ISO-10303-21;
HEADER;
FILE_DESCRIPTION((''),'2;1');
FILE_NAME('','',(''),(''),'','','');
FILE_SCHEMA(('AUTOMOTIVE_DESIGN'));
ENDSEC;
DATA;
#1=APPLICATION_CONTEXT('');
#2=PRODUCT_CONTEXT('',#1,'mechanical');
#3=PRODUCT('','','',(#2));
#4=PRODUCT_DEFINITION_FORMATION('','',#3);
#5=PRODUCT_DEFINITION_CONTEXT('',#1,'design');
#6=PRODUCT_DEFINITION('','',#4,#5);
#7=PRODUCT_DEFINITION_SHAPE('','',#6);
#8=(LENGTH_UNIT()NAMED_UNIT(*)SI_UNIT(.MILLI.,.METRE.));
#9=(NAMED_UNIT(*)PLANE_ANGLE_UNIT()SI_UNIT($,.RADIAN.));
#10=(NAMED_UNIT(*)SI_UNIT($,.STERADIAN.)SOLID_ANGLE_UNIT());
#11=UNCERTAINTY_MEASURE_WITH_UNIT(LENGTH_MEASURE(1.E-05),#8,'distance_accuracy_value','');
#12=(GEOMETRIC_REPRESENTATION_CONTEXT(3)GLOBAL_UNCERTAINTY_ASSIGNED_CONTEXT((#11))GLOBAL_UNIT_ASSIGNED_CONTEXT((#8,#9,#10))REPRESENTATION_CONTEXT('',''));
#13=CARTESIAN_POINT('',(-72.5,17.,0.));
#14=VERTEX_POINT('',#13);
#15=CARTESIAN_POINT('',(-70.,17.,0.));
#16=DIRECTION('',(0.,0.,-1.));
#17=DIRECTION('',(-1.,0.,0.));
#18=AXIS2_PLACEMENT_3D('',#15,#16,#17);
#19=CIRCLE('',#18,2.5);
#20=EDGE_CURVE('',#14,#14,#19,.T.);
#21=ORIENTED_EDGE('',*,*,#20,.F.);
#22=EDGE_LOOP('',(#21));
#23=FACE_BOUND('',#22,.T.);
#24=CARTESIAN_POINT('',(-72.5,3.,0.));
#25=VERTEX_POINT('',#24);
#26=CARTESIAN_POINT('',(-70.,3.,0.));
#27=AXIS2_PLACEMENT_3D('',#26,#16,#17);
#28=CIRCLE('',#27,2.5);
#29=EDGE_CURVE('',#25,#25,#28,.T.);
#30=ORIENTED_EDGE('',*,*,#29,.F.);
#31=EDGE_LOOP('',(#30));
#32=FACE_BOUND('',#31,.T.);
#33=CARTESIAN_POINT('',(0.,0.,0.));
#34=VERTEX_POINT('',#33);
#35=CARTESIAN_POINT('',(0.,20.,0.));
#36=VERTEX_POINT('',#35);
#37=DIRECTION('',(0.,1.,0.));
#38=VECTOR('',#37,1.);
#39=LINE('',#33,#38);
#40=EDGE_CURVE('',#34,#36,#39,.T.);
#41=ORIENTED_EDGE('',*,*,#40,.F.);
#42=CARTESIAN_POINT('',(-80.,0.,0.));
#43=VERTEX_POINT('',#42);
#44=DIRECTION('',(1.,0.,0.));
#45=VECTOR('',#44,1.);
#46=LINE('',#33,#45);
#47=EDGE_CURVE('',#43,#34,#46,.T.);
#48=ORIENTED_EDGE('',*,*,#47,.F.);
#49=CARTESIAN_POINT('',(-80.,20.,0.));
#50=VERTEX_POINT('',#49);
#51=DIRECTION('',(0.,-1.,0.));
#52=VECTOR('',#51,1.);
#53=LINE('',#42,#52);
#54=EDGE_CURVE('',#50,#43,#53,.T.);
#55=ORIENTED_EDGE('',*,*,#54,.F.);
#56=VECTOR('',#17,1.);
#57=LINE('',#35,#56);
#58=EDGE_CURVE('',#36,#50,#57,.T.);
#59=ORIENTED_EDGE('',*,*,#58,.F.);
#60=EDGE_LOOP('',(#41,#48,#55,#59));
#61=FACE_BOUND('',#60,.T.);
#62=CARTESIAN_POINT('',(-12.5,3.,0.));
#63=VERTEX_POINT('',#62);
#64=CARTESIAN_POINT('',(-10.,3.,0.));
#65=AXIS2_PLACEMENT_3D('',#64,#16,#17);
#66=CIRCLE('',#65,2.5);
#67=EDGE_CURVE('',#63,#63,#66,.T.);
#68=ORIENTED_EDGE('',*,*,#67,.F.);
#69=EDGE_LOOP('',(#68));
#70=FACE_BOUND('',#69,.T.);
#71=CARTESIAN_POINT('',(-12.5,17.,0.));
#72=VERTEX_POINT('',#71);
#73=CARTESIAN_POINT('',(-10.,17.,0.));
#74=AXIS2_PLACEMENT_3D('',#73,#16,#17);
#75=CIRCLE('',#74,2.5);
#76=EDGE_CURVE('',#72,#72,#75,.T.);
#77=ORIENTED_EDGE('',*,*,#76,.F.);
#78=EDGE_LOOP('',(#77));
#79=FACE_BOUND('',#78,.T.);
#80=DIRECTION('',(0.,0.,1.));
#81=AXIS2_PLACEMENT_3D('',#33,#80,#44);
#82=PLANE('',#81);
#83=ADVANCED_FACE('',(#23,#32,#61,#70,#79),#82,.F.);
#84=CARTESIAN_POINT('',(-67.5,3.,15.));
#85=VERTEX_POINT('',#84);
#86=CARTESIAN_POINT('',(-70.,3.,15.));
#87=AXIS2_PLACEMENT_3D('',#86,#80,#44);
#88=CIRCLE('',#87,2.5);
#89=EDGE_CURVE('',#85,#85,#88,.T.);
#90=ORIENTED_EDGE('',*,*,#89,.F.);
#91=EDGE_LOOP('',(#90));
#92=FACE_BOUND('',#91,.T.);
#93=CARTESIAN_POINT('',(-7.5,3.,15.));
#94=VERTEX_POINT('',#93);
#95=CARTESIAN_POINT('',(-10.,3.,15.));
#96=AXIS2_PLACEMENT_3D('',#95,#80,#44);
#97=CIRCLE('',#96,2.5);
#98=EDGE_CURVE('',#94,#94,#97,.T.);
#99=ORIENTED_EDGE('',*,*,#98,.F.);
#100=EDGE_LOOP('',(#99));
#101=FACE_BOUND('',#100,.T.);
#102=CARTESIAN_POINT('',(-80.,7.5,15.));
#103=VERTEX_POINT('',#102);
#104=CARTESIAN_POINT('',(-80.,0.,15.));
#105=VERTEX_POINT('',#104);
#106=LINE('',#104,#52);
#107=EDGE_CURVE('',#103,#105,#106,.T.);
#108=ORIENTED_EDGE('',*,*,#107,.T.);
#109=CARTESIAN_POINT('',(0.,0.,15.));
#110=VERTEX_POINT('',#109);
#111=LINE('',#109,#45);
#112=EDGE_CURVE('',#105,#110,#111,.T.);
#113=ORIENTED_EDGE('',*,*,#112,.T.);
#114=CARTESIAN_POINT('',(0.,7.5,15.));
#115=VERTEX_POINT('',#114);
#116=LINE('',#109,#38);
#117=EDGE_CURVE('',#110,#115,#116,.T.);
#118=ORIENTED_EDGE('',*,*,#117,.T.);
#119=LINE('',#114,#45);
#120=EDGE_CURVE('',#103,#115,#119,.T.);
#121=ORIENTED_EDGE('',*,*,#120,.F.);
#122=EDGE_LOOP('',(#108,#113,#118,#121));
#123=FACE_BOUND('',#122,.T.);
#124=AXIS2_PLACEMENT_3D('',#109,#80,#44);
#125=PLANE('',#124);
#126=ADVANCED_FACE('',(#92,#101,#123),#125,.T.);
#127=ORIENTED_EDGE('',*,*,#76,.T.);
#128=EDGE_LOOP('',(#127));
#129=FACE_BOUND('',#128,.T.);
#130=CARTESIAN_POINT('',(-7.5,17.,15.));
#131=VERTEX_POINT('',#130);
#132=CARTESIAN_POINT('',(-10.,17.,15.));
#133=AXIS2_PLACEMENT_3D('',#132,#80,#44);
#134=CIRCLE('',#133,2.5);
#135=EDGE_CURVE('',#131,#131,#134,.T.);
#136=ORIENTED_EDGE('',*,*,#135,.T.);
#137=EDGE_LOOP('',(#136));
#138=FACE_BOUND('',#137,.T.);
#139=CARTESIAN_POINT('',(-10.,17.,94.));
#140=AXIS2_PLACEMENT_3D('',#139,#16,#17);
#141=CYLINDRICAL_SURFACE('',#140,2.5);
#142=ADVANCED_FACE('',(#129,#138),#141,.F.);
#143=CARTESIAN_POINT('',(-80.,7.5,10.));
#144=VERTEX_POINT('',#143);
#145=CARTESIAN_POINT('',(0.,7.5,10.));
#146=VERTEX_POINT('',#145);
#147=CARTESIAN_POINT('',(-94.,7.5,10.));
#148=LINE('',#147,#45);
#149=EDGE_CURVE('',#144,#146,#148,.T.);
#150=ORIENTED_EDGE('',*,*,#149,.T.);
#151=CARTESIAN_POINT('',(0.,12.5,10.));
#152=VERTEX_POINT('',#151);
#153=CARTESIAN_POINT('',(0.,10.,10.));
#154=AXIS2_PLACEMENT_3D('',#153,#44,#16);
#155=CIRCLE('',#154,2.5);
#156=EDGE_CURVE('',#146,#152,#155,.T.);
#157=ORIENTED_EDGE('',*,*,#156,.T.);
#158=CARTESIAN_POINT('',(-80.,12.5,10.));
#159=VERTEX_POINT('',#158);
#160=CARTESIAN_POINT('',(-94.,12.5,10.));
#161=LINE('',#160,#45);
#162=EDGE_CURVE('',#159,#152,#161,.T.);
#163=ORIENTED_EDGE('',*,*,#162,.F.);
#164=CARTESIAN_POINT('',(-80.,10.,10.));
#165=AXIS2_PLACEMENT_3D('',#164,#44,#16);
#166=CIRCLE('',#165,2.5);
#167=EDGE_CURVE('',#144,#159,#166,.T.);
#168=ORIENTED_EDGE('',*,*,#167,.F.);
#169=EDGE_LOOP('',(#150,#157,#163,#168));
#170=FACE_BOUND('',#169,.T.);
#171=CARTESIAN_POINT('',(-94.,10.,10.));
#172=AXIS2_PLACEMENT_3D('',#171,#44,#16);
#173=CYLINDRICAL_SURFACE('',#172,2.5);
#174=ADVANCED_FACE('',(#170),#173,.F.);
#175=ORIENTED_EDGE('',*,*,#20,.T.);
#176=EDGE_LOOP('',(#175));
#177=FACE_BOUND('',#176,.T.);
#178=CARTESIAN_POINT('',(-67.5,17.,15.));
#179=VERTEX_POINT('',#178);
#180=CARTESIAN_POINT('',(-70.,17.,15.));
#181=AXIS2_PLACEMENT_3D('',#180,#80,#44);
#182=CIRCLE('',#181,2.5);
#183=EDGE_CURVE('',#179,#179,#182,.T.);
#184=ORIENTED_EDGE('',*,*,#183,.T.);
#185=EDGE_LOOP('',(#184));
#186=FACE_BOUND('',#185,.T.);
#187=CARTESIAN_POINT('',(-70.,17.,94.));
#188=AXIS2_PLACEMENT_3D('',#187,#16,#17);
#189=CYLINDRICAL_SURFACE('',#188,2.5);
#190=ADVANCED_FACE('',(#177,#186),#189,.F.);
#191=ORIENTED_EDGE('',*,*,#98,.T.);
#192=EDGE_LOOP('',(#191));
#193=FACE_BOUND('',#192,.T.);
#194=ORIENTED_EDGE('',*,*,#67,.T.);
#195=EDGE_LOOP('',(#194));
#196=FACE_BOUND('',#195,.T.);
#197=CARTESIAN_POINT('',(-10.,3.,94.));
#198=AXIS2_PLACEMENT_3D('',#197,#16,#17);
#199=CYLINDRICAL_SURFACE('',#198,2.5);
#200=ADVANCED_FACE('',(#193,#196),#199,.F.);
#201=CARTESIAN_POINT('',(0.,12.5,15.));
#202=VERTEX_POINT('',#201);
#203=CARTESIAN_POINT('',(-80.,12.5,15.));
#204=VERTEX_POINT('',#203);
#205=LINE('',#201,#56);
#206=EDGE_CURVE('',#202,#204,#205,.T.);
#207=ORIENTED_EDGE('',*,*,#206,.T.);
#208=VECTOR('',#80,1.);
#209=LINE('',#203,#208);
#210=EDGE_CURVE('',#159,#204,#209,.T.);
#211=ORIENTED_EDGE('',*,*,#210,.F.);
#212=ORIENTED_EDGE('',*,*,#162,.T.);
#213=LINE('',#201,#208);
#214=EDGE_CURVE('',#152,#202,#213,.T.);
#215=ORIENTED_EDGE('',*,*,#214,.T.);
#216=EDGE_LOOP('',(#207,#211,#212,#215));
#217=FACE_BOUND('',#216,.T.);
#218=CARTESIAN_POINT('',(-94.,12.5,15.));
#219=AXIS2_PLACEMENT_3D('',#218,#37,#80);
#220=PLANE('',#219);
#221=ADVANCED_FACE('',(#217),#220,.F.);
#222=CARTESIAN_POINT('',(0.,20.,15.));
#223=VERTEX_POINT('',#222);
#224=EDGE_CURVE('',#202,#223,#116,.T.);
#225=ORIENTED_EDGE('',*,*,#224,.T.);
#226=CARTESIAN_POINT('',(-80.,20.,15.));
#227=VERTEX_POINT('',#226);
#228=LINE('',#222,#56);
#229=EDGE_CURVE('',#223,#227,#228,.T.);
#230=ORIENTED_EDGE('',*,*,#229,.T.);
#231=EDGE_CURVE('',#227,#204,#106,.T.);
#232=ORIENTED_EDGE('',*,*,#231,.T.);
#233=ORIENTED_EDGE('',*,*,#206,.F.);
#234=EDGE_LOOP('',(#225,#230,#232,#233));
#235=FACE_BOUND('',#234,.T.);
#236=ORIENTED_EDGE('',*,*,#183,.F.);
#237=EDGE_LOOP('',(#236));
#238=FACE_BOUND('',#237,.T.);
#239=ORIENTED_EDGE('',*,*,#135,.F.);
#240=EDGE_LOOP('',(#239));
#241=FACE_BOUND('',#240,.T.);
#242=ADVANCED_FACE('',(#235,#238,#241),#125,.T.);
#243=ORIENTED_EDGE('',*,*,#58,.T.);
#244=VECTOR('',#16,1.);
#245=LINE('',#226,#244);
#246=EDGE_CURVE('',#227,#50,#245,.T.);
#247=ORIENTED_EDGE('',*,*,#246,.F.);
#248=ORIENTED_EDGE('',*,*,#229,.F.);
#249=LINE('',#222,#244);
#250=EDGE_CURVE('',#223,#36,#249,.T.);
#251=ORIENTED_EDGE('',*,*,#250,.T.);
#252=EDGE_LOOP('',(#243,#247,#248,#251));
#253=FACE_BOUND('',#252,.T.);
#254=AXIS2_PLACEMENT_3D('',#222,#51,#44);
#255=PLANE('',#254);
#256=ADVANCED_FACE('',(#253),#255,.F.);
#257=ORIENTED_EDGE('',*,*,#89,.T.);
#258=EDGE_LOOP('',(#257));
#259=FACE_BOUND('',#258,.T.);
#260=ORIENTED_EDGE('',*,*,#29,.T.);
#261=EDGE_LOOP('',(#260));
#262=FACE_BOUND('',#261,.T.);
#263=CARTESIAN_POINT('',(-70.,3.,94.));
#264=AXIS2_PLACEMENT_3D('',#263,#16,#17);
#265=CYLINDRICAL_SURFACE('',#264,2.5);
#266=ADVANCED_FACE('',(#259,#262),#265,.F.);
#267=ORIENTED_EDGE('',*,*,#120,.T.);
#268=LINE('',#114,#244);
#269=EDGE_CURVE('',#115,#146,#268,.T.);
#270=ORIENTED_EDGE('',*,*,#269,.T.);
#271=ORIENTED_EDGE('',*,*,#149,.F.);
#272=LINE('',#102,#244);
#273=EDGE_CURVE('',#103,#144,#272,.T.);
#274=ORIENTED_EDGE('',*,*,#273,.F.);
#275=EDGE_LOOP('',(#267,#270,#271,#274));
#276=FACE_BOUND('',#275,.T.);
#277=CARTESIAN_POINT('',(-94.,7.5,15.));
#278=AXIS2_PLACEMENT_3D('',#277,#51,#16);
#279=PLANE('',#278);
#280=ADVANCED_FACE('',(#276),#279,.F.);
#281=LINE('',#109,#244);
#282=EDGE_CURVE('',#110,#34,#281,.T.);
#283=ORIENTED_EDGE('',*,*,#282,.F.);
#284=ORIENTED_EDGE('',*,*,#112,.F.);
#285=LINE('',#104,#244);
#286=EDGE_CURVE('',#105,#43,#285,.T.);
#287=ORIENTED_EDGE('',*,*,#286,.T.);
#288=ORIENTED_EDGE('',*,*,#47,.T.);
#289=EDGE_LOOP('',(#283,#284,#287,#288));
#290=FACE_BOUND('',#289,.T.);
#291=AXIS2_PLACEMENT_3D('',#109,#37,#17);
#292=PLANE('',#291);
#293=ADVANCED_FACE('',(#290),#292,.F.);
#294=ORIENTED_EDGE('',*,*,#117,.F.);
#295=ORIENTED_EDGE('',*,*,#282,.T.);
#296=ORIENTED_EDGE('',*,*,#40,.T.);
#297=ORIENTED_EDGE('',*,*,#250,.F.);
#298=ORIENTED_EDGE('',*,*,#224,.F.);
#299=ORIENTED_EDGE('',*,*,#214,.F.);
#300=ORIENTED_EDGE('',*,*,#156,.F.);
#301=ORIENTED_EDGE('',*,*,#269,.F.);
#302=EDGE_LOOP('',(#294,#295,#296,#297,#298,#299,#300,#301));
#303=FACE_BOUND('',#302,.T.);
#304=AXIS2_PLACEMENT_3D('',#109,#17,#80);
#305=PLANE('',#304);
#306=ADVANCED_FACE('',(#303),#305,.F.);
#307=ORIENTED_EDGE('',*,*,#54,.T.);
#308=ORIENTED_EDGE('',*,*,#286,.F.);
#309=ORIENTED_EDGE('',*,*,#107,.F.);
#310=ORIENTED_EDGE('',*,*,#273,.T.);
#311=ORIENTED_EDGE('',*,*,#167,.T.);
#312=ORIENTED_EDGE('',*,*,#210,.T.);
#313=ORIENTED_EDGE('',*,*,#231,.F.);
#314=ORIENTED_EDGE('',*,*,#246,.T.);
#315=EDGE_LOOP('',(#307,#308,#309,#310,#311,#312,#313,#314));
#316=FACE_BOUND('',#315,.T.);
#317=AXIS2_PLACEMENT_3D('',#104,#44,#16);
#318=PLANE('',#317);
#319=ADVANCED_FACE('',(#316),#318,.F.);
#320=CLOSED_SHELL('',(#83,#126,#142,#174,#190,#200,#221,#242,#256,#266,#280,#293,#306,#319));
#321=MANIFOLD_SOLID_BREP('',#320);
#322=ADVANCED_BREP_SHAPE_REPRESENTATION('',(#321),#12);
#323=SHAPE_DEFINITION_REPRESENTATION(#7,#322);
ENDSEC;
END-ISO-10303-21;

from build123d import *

# Parameters (mm, degrees)
ESQUISSE1_W             = 80
ESQUISSE1_H             = 20
BOSS_EXTRU_1_DEPTH      = 15
ENL_V_MAT_EXTRU_1_DEPTH = 94
ESQUISSE3_R             = 2.5
ENL_V_MAT_EXTRU_2_DEPTH = 94


with BuildPart() as part:
    # Esquisse1 → Boss.-Extru.1 (new body)
    with BuildSketch(Plane.XY):
        with Locations((-40, 10)):
            Rectangle(ESQUISSE1_W, ESQUISSE1_H)
    extrude(amount=BOSS_EXTRU_1_DEPTH)

    # Esquisse2 → Enlèv. mat.-Extru.1 (cut)
    with BuildSketch(Plane(origin=(0, 0, 0), x_dir=(0, 0, -1), z_dir=(1, 0, 0))):
        with BuildLine():
            Line((-15, 7.5), (-10, 7.5))
            ThreePointArc((-10, 7.5), (-7.5, 10), (-10, 12.5))
            Line((-10, 12.5), (-15, 12.5))
            Line((-15, 12.5), (-15, 7.5))
        make_face()
    extrude(amount=-ENL_V_MAT_EXTRU_1_DEPTH, mode=Mode.SUBTRACT)

    # Esquisse3 → Enlèv. mat.-Extru.2 (cut)
    with BuildSketch(Plane(origin=(0, 0, 0), x_dir=(-1, 0, 0), z_dir=(0, 0, -1))):
        with Locations((10, 17)):
            Circle(ESQUISSE3_R)
        with Locations((10, 3)):
            Circle(ESQUISSE3_R)
        with Locations((70, 17)):
            Circle(ESQUISSE3_R)
        with Locations((70, 3)):
            Circle(ESQUISSE3_R)
    extrude(amount=-ENL_V_MAT_EXTRU_2_DEPTH, mode=Mode.SUBTRACT)


solid = part.part
